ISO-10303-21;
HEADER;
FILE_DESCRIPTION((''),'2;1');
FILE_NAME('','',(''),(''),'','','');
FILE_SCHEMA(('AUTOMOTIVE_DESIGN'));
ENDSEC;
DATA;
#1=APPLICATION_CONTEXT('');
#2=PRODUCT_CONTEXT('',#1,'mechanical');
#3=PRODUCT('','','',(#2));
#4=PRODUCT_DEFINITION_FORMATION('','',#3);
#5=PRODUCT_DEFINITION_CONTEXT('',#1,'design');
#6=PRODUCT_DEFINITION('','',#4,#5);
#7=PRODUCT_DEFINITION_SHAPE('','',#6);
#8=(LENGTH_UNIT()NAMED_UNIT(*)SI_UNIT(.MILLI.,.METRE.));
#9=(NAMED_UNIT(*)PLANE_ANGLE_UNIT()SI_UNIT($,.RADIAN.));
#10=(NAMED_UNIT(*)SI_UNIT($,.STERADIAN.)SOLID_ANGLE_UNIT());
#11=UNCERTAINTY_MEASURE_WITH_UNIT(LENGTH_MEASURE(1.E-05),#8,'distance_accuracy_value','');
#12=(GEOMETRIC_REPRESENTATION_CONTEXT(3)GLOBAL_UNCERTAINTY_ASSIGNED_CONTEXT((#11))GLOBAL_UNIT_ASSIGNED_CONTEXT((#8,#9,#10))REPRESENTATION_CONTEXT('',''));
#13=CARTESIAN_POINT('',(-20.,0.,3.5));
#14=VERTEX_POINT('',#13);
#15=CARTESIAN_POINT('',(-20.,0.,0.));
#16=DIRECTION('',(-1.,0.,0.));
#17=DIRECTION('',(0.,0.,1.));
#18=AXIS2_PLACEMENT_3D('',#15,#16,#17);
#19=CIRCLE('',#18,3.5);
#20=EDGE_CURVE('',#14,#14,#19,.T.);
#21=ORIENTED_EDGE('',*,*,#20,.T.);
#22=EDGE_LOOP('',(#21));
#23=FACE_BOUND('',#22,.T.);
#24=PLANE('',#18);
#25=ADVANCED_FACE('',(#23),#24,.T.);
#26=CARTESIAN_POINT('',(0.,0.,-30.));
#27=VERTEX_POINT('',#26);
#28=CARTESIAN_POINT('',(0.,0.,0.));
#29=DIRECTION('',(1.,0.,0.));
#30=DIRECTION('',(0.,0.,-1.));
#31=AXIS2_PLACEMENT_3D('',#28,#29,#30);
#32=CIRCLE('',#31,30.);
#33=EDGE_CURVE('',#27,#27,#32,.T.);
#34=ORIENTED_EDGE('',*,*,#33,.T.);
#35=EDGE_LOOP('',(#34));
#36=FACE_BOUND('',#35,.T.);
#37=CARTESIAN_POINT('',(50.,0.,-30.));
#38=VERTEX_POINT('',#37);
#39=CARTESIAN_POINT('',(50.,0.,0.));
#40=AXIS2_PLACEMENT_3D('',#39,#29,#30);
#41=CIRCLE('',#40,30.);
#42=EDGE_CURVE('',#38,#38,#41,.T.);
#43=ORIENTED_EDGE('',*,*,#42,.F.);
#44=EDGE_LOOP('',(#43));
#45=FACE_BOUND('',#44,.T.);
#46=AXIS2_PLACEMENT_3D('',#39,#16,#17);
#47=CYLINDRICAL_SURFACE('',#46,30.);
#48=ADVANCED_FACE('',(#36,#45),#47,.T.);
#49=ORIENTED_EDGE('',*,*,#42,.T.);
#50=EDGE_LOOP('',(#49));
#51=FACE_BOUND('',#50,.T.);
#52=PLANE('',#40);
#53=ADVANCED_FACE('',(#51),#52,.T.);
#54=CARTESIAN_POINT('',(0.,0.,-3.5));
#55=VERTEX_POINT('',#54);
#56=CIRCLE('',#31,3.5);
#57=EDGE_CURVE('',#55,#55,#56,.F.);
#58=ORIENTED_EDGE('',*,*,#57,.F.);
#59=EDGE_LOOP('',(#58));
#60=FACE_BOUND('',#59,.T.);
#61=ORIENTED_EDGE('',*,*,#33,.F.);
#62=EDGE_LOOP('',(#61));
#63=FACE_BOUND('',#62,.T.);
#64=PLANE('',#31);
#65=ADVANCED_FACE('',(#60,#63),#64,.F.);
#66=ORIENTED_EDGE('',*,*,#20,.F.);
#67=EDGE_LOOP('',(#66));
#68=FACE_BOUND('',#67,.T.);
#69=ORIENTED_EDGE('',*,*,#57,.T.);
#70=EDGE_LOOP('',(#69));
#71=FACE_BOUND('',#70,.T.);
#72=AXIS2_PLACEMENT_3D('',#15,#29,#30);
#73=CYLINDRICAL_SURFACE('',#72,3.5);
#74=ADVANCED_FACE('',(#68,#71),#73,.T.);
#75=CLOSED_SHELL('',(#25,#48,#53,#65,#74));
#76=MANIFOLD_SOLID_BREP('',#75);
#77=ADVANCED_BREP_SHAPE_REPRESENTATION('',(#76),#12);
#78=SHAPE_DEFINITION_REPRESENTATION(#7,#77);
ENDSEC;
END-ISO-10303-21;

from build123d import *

# Parameters (mm, degrees)
SKETCH_1_R      = 30
EXTRUDE_1_DEPTH = 50
SKETCH_2_R      = 3.5
EXTRUDE_2_DEPTH = 20


with BuildPart() as part:
    # ｽｹｯﾁ1 → ﾎﾞｽ - 押し出し1 (new body)
    with BuildSketch(Plane(origin=(0, 0, 0), x_dir=(0, 0, -1), z_dir=(1, 0, 0))):
        Circle(SKETCH_1_R)
    extrude(amount=EXTRUDE_1_DEPTH)

    # ｽｹｯﾁ2 → ﾎﾞｽ - 押し出し2 (add)
    with BuildSketch(Plane.ZY):
        with Locations(Location((0, 0, 0), (0, 0, 180))):
            Circle(SKETCH_2_R)
    extrude(amount=EXTRUDE_2_DEPTH)


solid = part.part
